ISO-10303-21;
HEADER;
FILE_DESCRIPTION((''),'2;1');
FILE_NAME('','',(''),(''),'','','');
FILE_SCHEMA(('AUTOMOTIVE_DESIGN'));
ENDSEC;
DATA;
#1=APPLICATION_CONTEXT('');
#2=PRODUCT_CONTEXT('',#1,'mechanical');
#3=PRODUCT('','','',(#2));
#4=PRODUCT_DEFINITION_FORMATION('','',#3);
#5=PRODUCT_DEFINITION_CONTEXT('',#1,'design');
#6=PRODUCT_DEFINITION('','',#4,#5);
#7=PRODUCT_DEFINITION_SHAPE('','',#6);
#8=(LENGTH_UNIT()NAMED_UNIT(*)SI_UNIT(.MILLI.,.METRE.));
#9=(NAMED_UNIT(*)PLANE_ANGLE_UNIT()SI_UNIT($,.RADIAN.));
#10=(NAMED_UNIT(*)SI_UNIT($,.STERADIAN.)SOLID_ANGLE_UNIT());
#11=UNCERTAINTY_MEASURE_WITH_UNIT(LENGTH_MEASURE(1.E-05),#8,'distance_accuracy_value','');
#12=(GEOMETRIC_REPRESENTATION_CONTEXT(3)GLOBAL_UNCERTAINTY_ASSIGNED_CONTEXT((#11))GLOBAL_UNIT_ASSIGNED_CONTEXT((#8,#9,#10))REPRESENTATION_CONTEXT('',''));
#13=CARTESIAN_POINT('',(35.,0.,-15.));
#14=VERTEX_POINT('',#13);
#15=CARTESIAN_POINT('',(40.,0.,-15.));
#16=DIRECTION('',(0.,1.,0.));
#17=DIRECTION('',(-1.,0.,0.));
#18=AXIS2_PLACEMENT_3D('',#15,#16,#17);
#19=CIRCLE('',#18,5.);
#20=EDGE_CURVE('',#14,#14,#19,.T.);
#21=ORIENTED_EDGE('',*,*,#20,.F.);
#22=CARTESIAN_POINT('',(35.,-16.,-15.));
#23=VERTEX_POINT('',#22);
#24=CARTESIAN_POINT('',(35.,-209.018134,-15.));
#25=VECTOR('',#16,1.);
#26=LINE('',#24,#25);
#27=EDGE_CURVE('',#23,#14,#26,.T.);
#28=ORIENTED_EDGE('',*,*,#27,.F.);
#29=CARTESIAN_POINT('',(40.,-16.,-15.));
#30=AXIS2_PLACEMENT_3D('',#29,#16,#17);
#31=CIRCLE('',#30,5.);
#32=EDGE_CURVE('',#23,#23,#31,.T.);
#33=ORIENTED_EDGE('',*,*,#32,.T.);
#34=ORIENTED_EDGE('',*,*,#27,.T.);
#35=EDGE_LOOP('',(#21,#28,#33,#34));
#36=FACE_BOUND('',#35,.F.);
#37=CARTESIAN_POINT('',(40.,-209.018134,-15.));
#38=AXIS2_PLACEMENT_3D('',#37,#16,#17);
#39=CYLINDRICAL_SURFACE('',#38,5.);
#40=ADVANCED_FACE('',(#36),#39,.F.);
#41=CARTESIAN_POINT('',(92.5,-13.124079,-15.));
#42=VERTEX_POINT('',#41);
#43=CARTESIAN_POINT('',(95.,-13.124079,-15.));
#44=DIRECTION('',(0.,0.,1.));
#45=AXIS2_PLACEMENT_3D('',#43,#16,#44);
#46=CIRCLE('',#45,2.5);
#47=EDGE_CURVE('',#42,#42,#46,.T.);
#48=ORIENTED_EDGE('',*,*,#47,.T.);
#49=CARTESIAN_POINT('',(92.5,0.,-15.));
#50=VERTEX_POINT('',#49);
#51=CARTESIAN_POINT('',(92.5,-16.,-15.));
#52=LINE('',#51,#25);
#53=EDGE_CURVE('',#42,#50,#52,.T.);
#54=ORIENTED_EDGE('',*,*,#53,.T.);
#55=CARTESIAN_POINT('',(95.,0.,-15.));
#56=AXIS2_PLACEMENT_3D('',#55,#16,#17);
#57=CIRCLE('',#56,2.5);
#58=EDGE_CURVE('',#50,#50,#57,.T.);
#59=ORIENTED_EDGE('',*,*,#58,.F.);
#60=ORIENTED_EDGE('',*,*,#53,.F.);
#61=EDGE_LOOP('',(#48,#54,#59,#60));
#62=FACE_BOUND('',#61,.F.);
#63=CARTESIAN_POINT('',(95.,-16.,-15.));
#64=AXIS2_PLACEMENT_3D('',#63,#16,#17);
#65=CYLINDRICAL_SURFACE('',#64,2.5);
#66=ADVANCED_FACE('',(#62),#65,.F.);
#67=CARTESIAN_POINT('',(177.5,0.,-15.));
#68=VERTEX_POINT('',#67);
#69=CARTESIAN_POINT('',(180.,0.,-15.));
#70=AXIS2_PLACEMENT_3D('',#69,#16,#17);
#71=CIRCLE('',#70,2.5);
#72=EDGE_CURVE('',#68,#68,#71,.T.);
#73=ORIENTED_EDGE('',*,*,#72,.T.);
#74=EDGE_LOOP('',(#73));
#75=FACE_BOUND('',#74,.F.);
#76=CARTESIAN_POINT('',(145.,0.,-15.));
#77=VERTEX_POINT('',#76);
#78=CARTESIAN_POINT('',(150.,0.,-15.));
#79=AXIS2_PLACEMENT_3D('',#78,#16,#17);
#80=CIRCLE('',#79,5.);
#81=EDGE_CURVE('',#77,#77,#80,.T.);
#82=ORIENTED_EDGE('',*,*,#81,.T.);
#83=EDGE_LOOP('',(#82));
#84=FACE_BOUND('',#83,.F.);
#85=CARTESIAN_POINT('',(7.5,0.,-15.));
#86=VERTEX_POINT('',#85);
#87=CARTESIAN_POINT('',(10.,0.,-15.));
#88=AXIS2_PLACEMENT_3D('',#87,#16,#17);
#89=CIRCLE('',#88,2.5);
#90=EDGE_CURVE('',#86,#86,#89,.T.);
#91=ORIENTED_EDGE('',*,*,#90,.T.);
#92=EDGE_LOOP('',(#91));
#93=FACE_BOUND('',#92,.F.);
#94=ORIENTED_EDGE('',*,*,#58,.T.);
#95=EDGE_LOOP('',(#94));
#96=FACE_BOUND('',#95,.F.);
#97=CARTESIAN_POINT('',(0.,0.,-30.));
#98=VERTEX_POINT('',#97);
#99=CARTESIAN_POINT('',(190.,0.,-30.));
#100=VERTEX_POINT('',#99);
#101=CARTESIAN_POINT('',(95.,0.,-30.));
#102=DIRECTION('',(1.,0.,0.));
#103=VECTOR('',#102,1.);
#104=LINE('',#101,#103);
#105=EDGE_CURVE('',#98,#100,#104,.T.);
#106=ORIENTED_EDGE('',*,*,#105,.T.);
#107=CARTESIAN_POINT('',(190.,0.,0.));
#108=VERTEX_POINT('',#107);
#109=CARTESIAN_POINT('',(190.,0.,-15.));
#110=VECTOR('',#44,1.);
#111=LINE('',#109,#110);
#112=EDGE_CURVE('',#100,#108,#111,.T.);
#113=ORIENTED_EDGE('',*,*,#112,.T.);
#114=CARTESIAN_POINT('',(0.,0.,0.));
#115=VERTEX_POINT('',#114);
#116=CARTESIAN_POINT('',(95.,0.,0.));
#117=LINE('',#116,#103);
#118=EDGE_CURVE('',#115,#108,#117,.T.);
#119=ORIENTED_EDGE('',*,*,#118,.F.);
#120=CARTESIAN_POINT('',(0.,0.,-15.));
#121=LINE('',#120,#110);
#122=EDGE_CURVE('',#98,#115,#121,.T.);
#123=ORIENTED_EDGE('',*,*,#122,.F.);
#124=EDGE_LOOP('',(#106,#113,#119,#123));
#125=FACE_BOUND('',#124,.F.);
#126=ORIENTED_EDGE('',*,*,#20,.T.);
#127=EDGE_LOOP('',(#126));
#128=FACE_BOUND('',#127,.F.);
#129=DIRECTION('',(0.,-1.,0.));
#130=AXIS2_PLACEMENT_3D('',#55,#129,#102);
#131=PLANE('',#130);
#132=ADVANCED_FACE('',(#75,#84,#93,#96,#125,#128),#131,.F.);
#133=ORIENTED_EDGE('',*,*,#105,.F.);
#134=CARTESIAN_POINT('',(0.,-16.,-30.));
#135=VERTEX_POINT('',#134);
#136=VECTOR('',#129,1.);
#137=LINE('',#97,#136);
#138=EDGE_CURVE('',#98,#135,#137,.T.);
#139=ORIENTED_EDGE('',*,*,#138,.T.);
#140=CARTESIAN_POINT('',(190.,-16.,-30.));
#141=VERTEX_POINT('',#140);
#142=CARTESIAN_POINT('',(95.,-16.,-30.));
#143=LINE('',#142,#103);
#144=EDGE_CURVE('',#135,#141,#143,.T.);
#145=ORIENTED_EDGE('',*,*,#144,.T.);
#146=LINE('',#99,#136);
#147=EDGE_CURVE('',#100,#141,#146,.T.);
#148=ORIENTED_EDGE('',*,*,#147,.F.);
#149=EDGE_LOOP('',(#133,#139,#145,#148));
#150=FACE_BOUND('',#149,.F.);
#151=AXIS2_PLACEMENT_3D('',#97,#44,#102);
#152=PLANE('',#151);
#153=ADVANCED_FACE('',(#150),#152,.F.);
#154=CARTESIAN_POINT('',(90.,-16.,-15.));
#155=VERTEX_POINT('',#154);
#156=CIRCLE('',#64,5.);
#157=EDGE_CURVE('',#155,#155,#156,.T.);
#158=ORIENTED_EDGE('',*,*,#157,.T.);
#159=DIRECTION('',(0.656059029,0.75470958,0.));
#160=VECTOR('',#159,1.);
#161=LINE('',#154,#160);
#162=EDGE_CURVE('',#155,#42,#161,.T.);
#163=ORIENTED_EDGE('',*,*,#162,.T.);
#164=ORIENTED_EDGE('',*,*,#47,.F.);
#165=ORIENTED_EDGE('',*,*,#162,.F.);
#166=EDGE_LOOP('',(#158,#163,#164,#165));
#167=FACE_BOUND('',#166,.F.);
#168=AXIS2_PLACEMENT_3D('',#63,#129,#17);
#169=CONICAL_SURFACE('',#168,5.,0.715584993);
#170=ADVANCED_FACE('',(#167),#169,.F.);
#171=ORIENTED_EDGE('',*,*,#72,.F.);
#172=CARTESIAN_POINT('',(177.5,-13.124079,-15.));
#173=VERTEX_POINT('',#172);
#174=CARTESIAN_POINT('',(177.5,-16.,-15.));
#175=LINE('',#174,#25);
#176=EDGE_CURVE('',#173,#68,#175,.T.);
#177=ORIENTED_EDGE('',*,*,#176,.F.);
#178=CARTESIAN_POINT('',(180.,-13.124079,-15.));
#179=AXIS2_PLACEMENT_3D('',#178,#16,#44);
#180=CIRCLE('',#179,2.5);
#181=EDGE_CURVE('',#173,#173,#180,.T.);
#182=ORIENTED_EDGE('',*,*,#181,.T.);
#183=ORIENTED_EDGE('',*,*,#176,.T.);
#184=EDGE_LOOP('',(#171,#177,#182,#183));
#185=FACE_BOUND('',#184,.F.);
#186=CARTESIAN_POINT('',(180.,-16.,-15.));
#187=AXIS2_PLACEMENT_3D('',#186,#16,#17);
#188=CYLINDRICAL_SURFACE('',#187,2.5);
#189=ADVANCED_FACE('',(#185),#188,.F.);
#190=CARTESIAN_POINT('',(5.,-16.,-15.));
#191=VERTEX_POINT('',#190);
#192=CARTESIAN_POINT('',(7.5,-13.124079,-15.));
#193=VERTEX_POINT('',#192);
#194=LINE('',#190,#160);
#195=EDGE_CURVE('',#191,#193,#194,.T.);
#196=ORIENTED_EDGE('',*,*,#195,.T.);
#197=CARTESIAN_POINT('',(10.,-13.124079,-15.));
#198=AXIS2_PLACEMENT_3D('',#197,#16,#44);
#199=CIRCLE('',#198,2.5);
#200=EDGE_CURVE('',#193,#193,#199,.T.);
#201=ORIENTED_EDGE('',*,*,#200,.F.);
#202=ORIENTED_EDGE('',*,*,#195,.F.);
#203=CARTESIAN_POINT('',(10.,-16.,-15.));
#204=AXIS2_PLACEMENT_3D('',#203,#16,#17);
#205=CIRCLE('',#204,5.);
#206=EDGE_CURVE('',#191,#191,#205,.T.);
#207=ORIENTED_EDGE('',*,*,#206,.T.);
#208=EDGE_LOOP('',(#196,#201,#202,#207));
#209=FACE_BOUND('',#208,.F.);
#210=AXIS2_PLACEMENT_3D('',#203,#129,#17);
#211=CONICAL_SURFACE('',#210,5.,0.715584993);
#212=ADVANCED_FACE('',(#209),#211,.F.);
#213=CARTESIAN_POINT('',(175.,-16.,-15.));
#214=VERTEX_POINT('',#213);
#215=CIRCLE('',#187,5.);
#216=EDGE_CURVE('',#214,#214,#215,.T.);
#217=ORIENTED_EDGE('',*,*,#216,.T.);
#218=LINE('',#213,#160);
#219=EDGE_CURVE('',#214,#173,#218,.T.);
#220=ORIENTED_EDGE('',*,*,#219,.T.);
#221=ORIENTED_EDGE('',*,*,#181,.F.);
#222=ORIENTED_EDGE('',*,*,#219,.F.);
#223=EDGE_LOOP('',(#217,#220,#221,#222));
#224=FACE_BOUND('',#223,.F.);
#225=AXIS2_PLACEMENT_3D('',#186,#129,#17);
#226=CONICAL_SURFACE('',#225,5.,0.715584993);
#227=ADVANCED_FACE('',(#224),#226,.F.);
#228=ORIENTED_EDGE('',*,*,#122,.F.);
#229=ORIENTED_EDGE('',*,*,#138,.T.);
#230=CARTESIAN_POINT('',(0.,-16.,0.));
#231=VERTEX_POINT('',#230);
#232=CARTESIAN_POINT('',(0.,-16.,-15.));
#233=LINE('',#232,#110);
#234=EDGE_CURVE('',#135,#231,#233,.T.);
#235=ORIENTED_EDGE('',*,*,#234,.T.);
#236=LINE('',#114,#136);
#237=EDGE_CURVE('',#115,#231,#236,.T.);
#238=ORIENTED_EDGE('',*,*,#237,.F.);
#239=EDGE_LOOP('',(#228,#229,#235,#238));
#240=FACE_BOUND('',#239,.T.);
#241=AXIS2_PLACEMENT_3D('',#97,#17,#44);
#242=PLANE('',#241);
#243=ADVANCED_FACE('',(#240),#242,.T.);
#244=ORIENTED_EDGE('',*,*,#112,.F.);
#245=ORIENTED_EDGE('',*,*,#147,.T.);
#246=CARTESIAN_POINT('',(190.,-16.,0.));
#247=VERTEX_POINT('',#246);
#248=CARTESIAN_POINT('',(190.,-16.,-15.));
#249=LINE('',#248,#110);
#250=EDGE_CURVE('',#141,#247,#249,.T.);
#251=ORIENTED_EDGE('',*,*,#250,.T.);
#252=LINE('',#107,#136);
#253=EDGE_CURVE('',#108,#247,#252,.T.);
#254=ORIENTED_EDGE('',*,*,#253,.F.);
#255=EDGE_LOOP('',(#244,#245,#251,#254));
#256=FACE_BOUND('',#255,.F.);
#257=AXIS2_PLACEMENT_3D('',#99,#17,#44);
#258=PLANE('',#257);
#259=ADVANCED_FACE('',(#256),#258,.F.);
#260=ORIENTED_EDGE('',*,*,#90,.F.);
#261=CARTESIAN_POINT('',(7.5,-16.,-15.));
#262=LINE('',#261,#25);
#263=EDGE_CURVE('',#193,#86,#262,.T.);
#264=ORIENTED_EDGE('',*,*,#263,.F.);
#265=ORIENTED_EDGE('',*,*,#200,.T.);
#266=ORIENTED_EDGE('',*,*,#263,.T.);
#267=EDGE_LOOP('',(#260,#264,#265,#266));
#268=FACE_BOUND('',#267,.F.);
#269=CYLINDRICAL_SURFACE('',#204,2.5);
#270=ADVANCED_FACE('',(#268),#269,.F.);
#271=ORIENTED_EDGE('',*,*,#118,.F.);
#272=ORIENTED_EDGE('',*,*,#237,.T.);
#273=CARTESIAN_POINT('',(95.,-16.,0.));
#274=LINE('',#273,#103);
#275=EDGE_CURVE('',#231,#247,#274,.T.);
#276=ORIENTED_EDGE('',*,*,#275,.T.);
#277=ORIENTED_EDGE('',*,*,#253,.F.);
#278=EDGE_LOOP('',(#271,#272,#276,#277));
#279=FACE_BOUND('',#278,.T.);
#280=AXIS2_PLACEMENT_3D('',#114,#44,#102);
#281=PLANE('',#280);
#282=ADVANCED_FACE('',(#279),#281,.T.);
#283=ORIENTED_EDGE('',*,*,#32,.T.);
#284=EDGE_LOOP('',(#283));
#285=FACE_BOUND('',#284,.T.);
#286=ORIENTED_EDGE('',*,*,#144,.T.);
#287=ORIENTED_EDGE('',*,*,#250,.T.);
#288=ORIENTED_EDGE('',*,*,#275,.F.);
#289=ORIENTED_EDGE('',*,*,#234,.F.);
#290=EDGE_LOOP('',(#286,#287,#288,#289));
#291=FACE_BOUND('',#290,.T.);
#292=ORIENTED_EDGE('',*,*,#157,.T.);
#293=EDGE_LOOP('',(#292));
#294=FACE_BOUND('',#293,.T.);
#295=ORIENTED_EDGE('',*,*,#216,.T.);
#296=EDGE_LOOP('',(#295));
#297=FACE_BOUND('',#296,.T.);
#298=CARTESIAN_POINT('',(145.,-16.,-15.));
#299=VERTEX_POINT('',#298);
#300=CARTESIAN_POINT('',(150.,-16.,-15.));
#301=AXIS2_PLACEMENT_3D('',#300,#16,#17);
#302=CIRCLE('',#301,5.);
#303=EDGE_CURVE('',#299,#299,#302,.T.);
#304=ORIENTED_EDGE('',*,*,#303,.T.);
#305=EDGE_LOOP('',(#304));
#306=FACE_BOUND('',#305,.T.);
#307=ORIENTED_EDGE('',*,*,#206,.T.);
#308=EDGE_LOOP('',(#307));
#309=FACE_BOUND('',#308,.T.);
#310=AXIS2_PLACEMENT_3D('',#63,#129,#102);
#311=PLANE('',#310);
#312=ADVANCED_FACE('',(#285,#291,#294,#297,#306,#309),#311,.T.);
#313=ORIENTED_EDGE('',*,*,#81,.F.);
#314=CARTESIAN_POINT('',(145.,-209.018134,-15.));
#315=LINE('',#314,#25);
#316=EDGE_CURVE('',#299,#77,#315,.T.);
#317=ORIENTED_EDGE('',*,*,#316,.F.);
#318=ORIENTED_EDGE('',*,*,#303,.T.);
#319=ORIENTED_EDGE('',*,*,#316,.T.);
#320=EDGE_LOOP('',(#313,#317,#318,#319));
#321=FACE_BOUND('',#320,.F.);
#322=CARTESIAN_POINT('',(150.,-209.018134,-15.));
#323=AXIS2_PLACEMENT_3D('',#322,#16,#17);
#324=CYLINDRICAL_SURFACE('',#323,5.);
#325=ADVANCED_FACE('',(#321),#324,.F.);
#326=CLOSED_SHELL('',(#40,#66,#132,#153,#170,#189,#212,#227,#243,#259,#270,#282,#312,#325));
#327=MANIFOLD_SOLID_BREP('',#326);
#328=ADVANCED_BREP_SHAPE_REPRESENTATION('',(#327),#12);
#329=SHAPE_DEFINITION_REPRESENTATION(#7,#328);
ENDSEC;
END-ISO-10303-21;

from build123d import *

# Parameters (mm, degrees)
F0_W           = 190
F0_H           = 30
F1_DEPTH       = 16
F3_D           = 10
F4_D           = 5
F4_CSINK_D     = 10
F4_CSINK_ANGLE = 82


with BuildPart() as f1:
    # F0 (on Front) → F1 (new body)
    with BuildSketch(Plane.XZ):
        with Locations((95, -15)):
            Rectangle(F0_W, F0_H)
    extrude(amount=F1_DEPTH)

    # F3 (through all)
    with Locations(Plane.XZ.offset(16)):
        with Locations((40, -15), (150, -15)):
            Hole(F3_D / 2)

    # F4 (through all)
    with Locations(Plane.XZ.offset(16)):
        with Locations((10, -15), (95, -15), (180, -15)):
            CounterSinkHole(F4_D / 2, F4_CSINK_D / 2, counter_sink_angle=F4_CSINK_ANGLE)


solid = f1.part
